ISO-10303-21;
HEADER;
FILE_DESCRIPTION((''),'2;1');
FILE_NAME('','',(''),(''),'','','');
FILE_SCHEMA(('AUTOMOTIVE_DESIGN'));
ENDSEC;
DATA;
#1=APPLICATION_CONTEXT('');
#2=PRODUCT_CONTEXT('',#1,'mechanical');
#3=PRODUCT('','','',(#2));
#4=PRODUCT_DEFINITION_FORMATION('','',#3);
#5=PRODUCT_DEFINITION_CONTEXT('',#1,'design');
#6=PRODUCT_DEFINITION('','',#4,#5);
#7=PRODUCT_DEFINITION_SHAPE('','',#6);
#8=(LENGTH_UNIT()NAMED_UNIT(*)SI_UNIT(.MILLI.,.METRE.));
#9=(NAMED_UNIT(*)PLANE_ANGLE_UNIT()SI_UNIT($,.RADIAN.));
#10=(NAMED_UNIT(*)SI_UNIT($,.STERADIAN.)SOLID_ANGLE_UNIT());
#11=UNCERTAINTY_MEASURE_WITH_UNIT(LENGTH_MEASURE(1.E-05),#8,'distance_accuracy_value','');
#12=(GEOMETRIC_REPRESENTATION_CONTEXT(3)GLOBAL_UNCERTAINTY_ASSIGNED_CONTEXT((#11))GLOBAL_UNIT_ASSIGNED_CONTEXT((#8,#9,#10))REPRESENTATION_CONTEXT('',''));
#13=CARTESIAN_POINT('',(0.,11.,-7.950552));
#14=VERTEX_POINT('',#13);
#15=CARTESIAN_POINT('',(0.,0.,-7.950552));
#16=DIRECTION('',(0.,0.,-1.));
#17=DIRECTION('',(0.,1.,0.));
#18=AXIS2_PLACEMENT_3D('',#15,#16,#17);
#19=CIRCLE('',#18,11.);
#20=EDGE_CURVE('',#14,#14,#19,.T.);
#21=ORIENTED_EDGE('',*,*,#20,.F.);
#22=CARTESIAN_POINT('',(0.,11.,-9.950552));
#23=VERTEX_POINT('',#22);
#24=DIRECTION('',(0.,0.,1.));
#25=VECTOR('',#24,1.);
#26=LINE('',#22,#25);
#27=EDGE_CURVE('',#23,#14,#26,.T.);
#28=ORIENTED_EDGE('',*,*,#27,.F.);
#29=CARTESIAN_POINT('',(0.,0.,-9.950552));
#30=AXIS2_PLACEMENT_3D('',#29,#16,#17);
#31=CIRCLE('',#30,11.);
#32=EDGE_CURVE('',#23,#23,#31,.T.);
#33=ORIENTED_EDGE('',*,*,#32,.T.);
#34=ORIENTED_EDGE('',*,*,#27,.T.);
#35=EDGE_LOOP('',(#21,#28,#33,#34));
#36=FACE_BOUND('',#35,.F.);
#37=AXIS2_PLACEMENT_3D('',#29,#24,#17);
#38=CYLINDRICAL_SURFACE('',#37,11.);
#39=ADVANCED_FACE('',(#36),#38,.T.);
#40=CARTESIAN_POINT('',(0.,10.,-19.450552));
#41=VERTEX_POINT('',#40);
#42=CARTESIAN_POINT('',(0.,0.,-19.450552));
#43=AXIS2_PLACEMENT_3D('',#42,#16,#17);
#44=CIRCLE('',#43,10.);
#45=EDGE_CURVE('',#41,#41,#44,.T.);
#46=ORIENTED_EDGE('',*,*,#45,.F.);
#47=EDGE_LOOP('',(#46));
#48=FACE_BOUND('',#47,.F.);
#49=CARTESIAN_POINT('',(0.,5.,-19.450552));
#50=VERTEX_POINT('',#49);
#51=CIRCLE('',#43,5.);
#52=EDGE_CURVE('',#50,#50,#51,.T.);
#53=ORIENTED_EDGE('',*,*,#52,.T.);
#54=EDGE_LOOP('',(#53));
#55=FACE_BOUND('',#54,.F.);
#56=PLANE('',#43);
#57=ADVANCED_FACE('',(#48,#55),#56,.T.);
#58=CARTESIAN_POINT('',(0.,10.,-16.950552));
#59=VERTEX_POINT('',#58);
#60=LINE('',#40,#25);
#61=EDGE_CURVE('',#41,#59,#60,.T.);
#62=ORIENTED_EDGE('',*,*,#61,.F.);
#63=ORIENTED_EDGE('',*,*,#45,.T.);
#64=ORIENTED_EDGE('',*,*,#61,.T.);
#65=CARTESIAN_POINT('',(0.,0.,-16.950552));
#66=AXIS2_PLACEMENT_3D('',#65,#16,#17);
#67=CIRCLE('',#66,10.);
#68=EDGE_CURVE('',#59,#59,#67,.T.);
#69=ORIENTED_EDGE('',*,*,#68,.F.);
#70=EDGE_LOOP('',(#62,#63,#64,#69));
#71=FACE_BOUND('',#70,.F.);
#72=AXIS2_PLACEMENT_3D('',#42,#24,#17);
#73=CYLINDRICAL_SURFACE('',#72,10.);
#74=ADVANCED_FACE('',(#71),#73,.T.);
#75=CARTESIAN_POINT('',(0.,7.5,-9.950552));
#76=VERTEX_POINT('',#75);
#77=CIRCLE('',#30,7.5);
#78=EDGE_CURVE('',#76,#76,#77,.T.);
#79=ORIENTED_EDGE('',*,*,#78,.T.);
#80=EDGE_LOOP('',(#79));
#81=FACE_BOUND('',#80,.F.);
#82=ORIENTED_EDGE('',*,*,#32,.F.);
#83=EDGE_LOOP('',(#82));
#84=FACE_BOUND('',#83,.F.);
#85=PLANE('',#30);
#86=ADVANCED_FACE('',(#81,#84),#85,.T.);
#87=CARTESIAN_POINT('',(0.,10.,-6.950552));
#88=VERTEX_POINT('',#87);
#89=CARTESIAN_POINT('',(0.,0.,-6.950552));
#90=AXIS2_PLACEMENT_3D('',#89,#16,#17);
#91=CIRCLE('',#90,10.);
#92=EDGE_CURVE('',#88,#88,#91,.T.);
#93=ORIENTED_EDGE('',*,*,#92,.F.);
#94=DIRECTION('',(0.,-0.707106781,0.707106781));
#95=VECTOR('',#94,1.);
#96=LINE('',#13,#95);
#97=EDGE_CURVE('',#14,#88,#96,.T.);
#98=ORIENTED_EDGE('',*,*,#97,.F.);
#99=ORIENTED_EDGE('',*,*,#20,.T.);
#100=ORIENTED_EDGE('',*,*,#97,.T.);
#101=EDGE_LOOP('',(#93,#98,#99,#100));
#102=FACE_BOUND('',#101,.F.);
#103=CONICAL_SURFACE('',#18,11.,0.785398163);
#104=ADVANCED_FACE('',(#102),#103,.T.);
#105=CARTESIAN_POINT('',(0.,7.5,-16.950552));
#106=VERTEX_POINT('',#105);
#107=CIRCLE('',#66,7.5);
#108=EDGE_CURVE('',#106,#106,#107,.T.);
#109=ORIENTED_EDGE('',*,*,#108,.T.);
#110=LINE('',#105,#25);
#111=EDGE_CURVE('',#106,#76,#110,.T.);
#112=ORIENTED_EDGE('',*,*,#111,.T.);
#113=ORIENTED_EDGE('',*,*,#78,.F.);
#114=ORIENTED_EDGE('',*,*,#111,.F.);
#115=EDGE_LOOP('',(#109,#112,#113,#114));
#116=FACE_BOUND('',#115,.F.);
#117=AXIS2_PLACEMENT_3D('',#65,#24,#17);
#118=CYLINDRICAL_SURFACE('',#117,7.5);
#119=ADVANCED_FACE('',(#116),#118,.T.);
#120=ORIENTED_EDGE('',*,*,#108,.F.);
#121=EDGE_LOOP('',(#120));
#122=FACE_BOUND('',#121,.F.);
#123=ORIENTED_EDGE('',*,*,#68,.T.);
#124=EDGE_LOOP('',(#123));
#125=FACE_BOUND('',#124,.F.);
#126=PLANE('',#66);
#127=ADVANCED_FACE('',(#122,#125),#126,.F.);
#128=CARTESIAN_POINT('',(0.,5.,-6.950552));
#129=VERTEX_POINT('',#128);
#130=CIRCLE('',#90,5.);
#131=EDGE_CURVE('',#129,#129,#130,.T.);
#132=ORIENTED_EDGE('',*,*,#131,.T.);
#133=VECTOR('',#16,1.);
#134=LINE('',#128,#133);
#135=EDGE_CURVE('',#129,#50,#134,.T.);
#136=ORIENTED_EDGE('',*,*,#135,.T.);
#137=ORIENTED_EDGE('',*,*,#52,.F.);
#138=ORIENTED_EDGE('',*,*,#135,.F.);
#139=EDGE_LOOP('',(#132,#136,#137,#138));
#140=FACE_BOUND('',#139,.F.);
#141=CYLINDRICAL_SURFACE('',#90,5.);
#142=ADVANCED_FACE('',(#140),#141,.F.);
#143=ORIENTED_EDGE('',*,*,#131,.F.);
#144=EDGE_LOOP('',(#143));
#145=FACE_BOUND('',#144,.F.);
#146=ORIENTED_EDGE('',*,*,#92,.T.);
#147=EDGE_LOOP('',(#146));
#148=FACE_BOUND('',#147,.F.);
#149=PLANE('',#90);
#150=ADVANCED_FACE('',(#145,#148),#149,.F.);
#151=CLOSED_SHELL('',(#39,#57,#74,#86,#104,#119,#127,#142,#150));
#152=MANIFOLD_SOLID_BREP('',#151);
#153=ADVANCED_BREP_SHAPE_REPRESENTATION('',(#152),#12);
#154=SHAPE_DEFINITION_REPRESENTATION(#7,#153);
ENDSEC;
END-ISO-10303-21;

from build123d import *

# Parameters (mm, degrees)
F2_SIZE = 1


with BuildPart() as f1:
    # F0 (on Right) → F1 (revolve)
    with BuildSketch(Plane.YZ):
        Polygon((5, -6.950552), (5, -19.450552), (10, -19.450552), (10, -16.950552), (7.5, -16.950552), (7.5, -9.950552), (11, -9.950552), (11, -6.950552), align=None)
    revolve(axis=Axis((0, 0, -7.205679), (0, 0, -1)))

    # F2
    f2_edges = [f1.edges().sort_by_distance(p)[0] for p in [
        (0, -11, -6.950552),
    ]]
    chamfer(f2_edges, length=F2_SIZE)


solid = f1.part
